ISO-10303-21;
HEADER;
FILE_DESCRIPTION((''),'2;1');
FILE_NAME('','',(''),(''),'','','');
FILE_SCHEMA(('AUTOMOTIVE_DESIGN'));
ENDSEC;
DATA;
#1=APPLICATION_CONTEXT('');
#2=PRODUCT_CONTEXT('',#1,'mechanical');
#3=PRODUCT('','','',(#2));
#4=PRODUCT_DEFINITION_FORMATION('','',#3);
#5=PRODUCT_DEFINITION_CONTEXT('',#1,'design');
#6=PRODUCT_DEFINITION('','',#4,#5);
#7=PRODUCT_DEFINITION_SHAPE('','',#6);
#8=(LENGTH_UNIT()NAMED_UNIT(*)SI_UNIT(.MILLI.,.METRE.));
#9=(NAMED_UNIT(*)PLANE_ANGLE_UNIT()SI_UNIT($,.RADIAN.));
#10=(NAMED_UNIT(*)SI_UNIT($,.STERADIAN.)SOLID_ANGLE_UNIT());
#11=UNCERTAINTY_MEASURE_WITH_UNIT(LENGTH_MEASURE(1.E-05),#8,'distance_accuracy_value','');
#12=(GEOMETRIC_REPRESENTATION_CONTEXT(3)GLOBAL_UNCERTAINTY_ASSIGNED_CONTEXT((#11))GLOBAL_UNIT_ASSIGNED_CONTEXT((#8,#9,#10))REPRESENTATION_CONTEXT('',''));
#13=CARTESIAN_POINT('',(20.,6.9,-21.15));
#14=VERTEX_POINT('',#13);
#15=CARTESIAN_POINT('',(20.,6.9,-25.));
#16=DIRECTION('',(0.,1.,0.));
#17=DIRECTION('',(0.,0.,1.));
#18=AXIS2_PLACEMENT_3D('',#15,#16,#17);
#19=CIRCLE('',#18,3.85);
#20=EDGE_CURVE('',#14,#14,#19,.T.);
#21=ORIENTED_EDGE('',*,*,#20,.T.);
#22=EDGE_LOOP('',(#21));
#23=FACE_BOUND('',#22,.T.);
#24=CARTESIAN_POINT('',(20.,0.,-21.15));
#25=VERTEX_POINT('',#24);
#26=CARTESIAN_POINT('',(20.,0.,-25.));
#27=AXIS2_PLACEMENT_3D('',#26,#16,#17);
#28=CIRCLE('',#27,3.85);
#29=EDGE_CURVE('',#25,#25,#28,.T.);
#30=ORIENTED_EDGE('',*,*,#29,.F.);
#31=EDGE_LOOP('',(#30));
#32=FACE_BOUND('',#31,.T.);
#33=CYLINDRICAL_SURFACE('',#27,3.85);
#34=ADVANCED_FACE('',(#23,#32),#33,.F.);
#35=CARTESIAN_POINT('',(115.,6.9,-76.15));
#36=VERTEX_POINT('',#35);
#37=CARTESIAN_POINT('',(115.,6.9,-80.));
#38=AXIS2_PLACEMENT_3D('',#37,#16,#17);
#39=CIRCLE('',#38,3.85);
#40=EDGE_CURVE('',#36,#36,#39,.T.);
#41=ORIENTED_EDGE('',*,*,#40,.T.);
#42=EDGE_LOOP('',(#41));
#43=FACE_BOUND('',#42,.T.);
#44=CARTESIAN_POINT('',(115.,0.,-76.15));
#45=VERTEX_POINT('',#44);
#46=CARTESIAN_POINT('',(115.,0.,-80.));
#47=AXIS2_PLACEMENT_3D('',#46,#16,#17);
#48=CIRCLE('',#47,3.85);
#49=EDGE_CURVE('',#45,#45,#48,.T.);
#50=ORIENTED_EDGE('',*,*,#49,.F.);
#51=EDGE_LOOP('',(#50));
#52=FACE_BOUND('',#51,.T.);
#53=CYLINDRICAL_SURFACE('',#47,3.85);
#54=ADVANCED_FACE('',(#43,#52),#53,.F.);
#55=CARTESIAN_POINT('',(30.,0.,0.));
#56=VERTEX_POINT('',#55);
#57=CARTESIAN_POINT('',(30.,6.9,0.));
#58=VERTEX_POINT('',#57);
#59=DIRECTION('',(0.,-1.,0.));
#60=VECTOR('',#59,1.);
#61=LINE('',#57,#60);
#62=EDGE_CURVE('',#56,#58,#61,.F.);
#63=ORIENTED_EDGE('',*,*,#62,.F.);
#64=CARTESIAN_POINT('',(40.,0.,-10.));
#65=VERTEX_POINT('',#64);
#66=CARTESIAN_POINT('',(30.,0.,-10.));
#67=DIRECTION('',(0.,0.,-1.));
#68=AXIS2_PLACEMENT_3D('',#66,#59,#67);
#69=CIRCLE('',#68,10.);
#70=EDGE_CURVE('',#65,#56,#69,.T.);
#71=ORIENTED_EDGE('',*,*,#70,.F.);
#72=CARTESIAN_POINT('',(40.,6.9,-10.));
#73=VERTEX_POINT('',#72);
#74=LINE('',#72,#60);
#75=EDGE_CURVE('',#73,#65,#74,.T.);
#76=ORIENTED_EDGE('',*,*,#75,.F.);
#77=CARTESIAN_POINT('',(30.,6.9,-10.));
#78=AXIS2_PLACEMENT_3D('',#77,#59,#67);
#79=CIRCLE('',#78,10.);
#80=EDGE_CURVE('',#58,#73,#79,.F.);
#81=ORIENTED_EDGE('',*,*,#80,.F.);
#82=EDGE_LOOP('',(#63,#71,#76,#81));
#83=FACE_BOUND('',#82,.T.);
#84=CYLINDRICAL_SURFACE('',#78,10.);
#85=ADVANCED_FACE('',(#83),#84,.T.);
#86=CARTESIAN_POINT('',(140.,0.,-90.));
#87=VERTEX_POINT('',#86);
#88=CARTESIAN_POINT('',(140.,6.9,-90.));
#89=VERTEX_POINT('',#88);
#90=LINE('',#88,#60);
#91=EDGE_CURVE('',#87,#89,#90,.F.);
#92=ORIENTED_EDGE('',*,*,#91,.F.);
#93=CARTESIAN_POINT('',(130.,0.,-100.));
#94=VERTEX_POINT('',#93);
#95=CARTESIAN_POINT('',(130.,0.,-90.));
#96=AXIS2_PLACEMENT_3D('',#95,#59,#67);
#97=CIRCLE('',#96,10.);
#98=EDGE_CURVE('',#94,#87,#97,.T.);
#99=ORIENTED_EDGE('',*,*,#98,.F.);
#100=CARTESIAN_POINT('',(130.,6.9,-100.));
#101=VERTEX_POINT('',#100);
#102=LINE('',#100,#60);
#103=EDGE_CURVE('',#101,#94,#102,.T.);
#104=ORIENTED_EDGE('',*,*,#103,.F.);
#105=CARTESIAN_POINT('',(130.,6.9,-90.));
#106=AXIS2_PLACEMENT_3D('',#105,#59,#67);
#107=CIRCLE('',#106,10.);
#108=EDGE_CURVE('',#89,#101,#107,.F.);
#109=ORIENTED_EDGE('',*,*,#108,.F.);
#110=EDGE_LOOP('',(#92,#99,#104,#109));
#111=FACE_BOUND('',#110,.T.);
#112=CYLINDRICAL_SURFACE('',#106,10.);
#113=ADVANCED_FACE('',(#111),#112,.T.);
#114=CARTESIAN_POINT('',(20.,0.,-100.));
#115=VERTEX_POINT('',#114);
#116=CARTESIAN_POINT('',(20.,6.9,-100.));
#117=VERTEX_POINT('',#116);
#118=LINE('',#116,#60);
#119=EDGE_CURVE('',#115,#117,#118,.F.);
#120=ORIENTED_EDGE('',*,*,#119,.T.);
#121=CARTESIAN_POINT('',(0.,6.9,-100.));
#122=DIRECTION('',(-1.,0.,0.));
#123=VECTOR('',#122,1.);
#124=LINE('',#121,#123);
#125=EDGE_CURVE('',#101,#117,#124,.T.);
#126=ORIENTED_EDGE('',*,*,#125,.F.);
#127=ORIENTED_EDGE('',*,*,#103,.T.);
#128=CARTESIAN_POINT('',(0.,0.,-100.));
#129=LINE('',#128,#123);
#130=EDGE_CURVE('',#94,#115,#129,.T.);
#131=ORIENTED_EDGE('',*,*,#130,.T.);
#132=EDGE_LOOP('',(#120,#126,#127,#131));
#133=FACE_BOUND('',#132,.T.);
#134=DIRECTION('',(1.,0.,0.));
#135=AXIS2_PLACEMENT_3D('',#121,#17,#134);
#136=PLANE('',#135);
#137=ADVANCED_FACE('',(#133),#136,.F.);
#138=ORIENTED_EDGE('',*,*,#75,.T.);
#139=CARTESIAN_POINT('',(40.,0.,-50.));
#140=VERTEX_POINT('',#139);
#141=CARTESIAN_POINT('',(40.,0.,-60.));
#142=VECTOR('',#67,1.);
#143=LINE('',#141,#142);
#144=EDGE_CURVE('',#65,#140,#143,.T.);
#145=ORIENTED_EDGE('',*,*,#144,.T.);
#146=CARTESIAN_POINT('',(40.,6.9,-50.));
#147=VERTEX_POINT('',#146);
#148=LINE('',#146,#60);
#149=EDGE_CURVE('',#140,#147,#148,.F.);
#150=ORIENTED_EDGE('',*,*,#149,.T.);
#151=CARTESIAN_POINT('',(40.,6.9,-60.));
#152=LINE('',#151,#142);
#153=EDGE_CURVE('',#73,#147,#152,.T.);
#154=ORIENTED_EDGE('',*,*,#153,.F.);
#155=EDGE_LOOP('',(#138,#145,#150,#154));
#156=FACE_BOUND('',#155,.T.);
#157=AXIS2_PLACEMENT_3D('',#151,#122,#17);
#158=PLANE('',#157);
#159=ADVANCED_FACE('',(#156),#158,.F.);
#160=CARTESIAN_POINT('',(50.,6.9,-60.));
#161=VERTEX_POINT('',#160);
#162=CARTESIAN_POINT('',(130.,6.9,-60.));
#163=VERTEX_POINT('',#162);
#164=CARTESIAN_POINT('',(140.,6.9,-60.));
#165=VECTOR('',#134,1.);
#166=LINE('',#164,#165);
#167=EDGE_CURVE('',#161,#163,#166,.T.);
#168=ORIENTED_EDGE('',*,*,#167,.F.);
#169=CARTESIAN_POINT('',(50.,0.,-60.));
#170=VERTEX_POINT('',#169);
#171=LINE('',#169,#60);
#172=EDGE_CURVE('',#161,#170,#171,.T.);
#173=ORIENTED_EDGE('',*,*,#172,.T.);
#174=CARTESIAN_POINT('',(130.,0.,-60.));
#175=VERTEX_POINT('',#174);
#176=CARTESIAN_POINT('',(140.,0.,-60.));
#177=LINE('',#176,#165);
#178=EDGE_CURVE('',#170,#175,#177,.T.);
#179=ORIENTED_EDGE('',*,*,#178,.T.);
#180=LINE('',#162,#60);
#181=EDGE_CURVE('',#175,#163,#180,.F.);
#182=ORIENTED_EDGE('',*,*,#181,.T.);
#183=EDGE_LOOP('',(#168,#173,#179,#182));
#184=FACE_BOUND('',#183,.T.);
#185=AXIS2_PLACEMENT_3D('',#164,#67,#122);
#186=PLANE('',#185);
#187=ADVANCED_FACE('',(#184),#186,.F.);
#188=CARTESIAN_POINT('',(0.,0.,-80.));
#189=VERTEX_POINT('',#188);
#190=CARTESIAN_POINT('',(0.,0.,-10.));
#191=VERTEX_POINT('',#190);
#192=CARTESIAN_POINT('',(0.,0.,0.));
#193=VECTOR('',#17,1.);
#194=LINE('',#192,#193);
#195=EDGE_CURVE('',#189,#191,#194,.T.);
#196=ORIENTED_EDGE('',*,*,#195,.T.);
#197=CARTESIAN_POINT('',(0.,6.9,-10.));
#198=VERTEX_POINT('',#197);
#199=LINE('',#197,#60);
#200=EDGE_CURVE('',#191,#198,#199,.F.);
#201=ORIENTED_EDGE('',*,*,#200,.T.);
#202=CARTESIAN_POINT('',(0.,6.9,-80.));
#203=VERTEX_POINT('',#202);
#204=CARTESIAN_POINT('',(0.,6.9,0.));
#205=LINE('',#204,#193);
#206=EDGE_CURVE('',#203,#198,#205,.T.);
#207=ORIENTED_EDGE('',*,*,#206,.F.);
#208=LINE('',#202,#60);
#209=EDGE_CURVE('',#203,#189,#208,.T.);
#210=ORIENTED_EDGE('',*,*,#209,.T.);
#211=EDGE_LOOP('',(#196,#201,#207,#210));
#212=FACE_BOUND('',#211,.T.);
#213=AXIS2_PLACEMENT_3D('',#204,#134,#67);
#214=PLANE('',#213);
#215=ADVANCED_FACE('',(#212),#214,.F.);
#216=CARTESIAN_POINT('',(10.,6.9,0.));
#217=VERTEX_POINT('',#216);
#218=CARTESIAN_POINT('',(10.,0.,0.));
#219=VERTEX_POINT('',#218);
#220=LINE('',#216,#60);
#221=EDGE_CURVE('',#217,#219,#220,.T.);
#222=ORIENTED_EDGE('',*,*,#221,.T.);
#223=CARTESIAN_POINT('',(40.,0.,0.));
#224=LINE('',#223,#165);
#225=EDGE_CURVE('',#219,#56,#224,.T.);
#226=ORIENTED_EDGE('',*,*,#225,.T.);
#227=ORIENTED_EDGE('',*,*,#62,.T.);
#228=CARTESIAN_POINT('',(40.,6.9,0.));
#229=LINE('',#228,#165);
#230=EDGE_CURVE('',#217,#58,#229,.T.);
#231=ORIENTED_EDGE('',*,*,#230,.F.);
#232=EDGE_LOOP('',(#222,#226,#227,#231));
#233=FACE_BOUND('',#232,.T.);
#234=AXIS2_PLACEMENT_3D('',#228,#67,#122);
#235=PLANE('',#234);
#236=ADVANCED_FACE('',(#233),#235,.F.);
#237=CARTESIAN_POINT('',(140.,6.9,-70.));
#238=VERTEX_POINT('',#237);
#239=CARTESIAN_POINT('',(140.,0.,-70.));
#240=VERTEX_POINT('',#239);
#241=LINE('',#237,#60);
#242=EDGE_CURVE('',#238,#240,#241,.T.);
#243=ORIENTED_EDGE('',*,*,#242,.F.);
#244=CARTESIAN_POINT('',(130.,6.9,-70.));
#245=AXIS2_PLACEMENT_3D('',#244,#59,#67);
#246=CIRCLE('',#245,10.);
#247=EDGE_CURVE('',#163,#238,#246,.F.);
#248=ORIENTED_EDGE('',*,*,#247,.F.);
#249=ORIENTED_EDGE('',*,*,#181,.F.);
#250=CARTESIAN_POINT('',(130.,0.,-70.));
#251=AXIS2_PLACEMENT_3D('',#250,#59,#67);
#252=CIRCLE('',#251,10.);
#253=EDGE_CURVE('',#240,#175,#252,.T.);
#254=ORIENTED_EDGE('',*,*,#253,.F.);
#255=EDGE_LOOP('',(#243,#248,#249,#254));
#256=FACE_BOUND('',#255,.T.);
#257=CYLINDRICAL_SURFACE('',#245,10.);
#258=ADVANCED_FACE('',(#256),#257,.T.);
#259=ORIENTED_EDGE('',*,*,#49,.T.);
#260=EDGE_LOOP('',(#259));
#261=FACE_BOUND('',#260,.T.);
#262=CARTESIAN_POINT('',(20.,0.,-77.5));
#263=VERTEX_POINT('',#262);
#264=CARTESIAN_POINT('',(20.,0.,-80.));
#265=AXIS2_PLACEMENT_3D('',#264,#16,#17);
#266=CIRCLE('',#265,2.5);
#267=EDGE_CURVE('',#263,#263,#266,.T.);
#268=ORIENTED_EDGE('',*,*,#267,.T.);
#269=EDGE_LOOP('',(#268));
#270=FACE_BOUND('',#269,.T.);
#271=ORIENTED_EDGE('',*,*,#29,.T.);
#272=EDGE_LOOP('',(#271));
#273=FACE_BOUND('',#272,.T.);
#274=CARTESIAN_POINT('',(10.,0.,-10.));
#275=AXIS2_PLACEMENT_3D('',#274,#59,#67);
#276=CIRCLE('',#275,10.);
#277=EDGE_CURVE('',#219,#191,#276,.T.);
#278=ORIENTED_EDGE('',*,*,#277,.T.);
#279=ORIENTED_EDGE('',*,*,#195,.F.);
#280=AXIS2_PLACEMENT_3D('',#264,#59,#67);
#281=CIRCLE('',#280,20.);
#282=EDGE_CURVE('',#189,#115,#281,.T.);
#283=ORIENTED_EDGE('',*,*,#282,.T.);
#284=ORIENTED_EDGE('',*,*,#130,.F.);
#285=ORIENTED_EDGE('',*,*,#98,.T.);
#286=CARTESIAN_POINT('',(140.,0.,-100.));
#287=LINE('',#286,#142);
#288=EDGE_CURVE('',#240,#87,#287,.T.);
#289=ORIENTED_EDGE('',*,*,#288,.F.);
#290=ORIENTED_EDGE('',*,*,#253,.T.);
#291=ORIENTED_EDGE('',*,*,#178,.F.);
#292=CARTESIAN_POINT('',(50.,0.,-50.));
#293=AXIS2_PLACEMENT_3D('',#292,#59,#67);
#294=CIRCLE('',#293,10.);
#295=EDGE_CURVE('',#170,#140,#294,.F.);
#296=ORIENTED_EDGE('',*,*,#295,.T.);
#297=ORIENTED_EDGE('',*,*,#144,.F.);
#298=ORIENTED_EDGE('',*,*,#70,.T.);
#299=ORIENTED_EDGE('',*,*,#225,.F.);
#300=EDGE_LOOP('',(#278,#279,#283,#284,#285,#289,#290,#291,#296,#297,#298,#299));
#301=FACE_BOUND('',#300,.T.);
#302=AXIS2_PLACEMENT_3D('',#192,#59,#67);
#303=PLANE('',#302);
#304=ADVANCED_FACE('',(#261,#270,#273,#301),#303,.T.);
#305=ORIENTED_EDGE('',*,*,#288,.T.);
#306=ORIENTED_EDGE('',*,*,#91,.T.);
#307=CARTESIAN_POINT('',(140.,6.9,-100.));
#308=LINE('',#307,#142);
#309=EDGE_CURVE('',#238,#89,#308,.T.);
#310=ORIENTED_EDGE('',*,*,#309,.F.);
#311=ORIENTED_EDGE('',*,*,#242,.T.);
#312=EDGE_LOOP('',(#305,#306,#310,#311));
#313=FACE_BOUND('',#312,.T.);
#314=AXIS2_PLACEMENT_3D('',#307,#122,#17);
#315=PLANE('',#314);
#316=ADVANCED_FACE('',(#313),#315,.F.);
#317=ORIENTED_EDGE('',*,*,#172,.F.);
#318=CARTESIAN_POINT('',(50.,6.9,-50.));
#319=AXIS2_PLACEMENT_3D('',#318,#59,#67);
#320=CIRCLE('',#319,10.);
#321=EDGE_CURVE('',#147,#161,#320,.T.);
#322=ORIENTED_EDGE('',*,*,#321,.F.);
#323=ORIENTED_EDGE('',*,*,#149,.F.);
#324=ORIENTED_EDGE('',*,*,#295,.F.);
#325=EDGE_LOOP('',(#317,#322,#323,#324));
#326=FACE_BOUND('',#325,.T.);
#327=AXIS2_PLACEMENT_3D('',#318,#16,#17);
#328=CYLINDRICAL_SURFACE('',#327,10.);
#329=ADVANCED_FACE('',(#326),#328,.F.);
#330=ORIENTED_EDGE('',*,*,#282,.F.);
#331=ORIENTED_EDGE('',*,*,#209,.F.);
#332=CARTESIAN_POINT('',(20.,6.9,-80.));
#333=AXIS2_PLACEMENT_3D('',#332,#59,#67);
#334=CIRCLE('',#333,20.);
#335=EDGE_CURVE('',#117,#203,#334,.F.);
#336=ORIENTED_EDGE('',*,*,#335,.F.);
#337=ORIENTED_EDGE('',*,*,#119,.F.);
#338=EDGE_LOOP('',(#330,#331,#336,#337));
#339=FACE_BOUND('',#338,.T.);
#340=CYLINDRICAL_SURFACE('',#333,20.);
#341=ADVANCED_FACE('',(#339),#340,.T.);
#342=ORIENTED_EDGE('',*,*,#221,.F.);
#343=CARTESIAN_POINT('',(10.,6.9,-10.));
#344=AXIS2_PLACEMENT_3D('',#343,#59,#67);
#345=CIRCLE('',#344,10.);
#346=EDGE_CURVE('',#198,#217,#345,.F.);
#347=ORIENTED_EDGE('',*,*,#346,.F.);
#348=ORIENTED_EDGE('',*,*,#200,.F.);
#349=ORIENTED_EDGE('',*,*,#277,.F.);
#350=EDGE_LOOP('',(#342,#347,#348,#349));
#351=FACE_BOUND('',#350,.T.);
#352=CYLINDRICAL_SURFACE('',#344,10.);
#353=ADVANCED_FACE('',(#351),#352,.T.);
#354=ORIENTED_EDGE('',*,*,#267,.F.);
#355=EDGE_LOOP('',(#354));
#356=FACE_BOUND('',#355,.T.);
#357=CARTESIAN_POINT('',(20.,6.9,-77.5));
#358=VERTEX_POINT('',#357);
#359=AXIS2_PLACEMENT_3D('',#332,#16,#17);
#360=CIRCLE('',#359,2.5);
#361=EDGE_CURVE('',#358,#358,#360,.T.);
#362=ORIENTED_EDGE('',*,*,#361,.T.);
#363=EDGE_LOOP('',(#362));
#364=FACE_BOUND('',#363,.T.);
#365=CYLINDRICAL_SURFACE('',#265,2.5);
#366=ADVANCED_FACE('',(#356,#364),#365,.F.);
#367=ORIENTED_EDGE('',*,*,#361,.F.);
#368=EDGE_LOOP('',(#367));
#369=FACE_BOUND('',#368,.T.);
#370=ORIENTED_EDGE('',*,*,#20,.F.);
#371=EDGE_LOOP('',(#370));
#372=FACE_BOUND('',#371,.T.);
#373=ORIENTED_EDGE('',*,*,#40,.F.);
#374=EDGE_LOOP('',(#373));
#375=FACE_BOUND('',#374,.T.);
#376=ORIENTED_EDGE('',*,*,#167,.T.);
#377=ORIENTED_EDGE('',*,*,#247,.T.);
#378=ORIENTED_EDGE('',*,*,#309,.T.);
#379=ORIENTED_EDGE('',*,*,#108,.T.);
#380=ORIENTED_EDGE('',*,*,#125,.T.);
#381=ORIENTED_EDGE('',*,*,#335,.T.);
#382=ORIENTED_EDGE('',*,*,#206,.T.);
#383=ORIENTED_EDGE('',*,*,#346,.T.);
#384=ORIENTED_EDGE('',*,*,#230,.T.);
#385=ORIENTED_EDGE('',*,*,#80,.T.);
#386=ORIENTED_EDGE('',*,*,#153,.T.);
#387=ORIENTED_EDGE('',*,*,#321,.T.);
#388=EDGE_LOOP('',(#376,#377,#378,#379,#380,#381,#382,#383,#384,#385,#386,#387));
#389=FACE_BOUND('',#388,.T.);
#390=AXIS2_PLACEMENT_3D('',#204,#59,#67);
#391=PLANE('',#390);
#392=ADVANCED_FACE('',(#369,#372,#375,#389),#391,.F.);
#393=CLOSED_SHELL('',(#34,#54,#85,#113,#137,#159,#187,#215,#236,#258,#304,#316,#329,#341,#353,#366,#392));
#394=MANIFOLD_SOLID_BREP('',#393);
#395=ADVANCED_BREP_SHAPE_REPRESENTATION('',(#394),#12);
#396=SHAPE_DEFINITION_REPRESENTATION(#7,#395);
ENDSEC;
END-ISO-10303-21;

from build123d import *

# Parameters (mm, degrees)
BOSS_EXTRUDE1_DEPTH = 6.9
FILLET1_R           = 10
FILLET2_R           = 20
SKETCH3_R           = 2.5
CUT_EXTRUDE2_DEPTH  = 7.9
SKETCH2_R           = 3.85
CUT_EXTRUDE1_DEPTH  = 7.9


with BuildPart() as part:
    # Sketch1 → Boss-Extrude1 (new body)
    with BuildSketch(Plane(origin=(0, 0, 0), x_dir=(1, 0, 0), z_dir=(0, 1, 0))):
        Polygon((0, 0), (0, 100), (140, 100), (140, 60), (40, 60), (40, 0), align=None)
    extrude(amount=BOSS_EXTRUDE1_DEPTH)

    # Fillet1
    fillet1_edges = [part.edges().sort_by_distance(p)[0] for p in [
        (0, 3.45, 0),
        (140, 3.45, -100),
        (140, 3.45, -60),
        (40, 3.45, -60),
        (40, 3.45, 0),
    ]]
    fillet(fillet1_edges, radius=FILLET1_R)

    # Fillet2
    fillet2_edges = [part.edges().sort_by_distance(p)[0] for p in [
        (0, 3.45, -100),
    ]]
    fillet(fillet2_edges, radius=FILLET2_R)

    # Sketch3 → Cut-Extrude2 (cut, through all)
    with BuildSketch(Plane(origin=(0, 6.9, 0), x_dir=(1, 0, 0), z_dir=(0, 1, 0))):
        with Locations((20, 80)):
            Circle(SKETCH3_R)
    extrude(amount=-CUT_EXTRUDE2_DEPTH, mode=Mode.SUBTRACT)

    # Sketch2 → Cut-Extrude1 (cut, through all)
    with BuildSketch(Plane(origin=(0, 6.9, 0), x_dir=(1, 0, 0), z_dir=(0, 1, 0))):
        with Locations((20, 25)):
            Circle(SKETCH2_R)
        with Locations((115, 80)):
            Circle(SKETCH2_R)
    extrude(amount=-CUT_EXTRUDE1_DEPTH, mode=Mode.SUBTRACT)


solid = part.part
